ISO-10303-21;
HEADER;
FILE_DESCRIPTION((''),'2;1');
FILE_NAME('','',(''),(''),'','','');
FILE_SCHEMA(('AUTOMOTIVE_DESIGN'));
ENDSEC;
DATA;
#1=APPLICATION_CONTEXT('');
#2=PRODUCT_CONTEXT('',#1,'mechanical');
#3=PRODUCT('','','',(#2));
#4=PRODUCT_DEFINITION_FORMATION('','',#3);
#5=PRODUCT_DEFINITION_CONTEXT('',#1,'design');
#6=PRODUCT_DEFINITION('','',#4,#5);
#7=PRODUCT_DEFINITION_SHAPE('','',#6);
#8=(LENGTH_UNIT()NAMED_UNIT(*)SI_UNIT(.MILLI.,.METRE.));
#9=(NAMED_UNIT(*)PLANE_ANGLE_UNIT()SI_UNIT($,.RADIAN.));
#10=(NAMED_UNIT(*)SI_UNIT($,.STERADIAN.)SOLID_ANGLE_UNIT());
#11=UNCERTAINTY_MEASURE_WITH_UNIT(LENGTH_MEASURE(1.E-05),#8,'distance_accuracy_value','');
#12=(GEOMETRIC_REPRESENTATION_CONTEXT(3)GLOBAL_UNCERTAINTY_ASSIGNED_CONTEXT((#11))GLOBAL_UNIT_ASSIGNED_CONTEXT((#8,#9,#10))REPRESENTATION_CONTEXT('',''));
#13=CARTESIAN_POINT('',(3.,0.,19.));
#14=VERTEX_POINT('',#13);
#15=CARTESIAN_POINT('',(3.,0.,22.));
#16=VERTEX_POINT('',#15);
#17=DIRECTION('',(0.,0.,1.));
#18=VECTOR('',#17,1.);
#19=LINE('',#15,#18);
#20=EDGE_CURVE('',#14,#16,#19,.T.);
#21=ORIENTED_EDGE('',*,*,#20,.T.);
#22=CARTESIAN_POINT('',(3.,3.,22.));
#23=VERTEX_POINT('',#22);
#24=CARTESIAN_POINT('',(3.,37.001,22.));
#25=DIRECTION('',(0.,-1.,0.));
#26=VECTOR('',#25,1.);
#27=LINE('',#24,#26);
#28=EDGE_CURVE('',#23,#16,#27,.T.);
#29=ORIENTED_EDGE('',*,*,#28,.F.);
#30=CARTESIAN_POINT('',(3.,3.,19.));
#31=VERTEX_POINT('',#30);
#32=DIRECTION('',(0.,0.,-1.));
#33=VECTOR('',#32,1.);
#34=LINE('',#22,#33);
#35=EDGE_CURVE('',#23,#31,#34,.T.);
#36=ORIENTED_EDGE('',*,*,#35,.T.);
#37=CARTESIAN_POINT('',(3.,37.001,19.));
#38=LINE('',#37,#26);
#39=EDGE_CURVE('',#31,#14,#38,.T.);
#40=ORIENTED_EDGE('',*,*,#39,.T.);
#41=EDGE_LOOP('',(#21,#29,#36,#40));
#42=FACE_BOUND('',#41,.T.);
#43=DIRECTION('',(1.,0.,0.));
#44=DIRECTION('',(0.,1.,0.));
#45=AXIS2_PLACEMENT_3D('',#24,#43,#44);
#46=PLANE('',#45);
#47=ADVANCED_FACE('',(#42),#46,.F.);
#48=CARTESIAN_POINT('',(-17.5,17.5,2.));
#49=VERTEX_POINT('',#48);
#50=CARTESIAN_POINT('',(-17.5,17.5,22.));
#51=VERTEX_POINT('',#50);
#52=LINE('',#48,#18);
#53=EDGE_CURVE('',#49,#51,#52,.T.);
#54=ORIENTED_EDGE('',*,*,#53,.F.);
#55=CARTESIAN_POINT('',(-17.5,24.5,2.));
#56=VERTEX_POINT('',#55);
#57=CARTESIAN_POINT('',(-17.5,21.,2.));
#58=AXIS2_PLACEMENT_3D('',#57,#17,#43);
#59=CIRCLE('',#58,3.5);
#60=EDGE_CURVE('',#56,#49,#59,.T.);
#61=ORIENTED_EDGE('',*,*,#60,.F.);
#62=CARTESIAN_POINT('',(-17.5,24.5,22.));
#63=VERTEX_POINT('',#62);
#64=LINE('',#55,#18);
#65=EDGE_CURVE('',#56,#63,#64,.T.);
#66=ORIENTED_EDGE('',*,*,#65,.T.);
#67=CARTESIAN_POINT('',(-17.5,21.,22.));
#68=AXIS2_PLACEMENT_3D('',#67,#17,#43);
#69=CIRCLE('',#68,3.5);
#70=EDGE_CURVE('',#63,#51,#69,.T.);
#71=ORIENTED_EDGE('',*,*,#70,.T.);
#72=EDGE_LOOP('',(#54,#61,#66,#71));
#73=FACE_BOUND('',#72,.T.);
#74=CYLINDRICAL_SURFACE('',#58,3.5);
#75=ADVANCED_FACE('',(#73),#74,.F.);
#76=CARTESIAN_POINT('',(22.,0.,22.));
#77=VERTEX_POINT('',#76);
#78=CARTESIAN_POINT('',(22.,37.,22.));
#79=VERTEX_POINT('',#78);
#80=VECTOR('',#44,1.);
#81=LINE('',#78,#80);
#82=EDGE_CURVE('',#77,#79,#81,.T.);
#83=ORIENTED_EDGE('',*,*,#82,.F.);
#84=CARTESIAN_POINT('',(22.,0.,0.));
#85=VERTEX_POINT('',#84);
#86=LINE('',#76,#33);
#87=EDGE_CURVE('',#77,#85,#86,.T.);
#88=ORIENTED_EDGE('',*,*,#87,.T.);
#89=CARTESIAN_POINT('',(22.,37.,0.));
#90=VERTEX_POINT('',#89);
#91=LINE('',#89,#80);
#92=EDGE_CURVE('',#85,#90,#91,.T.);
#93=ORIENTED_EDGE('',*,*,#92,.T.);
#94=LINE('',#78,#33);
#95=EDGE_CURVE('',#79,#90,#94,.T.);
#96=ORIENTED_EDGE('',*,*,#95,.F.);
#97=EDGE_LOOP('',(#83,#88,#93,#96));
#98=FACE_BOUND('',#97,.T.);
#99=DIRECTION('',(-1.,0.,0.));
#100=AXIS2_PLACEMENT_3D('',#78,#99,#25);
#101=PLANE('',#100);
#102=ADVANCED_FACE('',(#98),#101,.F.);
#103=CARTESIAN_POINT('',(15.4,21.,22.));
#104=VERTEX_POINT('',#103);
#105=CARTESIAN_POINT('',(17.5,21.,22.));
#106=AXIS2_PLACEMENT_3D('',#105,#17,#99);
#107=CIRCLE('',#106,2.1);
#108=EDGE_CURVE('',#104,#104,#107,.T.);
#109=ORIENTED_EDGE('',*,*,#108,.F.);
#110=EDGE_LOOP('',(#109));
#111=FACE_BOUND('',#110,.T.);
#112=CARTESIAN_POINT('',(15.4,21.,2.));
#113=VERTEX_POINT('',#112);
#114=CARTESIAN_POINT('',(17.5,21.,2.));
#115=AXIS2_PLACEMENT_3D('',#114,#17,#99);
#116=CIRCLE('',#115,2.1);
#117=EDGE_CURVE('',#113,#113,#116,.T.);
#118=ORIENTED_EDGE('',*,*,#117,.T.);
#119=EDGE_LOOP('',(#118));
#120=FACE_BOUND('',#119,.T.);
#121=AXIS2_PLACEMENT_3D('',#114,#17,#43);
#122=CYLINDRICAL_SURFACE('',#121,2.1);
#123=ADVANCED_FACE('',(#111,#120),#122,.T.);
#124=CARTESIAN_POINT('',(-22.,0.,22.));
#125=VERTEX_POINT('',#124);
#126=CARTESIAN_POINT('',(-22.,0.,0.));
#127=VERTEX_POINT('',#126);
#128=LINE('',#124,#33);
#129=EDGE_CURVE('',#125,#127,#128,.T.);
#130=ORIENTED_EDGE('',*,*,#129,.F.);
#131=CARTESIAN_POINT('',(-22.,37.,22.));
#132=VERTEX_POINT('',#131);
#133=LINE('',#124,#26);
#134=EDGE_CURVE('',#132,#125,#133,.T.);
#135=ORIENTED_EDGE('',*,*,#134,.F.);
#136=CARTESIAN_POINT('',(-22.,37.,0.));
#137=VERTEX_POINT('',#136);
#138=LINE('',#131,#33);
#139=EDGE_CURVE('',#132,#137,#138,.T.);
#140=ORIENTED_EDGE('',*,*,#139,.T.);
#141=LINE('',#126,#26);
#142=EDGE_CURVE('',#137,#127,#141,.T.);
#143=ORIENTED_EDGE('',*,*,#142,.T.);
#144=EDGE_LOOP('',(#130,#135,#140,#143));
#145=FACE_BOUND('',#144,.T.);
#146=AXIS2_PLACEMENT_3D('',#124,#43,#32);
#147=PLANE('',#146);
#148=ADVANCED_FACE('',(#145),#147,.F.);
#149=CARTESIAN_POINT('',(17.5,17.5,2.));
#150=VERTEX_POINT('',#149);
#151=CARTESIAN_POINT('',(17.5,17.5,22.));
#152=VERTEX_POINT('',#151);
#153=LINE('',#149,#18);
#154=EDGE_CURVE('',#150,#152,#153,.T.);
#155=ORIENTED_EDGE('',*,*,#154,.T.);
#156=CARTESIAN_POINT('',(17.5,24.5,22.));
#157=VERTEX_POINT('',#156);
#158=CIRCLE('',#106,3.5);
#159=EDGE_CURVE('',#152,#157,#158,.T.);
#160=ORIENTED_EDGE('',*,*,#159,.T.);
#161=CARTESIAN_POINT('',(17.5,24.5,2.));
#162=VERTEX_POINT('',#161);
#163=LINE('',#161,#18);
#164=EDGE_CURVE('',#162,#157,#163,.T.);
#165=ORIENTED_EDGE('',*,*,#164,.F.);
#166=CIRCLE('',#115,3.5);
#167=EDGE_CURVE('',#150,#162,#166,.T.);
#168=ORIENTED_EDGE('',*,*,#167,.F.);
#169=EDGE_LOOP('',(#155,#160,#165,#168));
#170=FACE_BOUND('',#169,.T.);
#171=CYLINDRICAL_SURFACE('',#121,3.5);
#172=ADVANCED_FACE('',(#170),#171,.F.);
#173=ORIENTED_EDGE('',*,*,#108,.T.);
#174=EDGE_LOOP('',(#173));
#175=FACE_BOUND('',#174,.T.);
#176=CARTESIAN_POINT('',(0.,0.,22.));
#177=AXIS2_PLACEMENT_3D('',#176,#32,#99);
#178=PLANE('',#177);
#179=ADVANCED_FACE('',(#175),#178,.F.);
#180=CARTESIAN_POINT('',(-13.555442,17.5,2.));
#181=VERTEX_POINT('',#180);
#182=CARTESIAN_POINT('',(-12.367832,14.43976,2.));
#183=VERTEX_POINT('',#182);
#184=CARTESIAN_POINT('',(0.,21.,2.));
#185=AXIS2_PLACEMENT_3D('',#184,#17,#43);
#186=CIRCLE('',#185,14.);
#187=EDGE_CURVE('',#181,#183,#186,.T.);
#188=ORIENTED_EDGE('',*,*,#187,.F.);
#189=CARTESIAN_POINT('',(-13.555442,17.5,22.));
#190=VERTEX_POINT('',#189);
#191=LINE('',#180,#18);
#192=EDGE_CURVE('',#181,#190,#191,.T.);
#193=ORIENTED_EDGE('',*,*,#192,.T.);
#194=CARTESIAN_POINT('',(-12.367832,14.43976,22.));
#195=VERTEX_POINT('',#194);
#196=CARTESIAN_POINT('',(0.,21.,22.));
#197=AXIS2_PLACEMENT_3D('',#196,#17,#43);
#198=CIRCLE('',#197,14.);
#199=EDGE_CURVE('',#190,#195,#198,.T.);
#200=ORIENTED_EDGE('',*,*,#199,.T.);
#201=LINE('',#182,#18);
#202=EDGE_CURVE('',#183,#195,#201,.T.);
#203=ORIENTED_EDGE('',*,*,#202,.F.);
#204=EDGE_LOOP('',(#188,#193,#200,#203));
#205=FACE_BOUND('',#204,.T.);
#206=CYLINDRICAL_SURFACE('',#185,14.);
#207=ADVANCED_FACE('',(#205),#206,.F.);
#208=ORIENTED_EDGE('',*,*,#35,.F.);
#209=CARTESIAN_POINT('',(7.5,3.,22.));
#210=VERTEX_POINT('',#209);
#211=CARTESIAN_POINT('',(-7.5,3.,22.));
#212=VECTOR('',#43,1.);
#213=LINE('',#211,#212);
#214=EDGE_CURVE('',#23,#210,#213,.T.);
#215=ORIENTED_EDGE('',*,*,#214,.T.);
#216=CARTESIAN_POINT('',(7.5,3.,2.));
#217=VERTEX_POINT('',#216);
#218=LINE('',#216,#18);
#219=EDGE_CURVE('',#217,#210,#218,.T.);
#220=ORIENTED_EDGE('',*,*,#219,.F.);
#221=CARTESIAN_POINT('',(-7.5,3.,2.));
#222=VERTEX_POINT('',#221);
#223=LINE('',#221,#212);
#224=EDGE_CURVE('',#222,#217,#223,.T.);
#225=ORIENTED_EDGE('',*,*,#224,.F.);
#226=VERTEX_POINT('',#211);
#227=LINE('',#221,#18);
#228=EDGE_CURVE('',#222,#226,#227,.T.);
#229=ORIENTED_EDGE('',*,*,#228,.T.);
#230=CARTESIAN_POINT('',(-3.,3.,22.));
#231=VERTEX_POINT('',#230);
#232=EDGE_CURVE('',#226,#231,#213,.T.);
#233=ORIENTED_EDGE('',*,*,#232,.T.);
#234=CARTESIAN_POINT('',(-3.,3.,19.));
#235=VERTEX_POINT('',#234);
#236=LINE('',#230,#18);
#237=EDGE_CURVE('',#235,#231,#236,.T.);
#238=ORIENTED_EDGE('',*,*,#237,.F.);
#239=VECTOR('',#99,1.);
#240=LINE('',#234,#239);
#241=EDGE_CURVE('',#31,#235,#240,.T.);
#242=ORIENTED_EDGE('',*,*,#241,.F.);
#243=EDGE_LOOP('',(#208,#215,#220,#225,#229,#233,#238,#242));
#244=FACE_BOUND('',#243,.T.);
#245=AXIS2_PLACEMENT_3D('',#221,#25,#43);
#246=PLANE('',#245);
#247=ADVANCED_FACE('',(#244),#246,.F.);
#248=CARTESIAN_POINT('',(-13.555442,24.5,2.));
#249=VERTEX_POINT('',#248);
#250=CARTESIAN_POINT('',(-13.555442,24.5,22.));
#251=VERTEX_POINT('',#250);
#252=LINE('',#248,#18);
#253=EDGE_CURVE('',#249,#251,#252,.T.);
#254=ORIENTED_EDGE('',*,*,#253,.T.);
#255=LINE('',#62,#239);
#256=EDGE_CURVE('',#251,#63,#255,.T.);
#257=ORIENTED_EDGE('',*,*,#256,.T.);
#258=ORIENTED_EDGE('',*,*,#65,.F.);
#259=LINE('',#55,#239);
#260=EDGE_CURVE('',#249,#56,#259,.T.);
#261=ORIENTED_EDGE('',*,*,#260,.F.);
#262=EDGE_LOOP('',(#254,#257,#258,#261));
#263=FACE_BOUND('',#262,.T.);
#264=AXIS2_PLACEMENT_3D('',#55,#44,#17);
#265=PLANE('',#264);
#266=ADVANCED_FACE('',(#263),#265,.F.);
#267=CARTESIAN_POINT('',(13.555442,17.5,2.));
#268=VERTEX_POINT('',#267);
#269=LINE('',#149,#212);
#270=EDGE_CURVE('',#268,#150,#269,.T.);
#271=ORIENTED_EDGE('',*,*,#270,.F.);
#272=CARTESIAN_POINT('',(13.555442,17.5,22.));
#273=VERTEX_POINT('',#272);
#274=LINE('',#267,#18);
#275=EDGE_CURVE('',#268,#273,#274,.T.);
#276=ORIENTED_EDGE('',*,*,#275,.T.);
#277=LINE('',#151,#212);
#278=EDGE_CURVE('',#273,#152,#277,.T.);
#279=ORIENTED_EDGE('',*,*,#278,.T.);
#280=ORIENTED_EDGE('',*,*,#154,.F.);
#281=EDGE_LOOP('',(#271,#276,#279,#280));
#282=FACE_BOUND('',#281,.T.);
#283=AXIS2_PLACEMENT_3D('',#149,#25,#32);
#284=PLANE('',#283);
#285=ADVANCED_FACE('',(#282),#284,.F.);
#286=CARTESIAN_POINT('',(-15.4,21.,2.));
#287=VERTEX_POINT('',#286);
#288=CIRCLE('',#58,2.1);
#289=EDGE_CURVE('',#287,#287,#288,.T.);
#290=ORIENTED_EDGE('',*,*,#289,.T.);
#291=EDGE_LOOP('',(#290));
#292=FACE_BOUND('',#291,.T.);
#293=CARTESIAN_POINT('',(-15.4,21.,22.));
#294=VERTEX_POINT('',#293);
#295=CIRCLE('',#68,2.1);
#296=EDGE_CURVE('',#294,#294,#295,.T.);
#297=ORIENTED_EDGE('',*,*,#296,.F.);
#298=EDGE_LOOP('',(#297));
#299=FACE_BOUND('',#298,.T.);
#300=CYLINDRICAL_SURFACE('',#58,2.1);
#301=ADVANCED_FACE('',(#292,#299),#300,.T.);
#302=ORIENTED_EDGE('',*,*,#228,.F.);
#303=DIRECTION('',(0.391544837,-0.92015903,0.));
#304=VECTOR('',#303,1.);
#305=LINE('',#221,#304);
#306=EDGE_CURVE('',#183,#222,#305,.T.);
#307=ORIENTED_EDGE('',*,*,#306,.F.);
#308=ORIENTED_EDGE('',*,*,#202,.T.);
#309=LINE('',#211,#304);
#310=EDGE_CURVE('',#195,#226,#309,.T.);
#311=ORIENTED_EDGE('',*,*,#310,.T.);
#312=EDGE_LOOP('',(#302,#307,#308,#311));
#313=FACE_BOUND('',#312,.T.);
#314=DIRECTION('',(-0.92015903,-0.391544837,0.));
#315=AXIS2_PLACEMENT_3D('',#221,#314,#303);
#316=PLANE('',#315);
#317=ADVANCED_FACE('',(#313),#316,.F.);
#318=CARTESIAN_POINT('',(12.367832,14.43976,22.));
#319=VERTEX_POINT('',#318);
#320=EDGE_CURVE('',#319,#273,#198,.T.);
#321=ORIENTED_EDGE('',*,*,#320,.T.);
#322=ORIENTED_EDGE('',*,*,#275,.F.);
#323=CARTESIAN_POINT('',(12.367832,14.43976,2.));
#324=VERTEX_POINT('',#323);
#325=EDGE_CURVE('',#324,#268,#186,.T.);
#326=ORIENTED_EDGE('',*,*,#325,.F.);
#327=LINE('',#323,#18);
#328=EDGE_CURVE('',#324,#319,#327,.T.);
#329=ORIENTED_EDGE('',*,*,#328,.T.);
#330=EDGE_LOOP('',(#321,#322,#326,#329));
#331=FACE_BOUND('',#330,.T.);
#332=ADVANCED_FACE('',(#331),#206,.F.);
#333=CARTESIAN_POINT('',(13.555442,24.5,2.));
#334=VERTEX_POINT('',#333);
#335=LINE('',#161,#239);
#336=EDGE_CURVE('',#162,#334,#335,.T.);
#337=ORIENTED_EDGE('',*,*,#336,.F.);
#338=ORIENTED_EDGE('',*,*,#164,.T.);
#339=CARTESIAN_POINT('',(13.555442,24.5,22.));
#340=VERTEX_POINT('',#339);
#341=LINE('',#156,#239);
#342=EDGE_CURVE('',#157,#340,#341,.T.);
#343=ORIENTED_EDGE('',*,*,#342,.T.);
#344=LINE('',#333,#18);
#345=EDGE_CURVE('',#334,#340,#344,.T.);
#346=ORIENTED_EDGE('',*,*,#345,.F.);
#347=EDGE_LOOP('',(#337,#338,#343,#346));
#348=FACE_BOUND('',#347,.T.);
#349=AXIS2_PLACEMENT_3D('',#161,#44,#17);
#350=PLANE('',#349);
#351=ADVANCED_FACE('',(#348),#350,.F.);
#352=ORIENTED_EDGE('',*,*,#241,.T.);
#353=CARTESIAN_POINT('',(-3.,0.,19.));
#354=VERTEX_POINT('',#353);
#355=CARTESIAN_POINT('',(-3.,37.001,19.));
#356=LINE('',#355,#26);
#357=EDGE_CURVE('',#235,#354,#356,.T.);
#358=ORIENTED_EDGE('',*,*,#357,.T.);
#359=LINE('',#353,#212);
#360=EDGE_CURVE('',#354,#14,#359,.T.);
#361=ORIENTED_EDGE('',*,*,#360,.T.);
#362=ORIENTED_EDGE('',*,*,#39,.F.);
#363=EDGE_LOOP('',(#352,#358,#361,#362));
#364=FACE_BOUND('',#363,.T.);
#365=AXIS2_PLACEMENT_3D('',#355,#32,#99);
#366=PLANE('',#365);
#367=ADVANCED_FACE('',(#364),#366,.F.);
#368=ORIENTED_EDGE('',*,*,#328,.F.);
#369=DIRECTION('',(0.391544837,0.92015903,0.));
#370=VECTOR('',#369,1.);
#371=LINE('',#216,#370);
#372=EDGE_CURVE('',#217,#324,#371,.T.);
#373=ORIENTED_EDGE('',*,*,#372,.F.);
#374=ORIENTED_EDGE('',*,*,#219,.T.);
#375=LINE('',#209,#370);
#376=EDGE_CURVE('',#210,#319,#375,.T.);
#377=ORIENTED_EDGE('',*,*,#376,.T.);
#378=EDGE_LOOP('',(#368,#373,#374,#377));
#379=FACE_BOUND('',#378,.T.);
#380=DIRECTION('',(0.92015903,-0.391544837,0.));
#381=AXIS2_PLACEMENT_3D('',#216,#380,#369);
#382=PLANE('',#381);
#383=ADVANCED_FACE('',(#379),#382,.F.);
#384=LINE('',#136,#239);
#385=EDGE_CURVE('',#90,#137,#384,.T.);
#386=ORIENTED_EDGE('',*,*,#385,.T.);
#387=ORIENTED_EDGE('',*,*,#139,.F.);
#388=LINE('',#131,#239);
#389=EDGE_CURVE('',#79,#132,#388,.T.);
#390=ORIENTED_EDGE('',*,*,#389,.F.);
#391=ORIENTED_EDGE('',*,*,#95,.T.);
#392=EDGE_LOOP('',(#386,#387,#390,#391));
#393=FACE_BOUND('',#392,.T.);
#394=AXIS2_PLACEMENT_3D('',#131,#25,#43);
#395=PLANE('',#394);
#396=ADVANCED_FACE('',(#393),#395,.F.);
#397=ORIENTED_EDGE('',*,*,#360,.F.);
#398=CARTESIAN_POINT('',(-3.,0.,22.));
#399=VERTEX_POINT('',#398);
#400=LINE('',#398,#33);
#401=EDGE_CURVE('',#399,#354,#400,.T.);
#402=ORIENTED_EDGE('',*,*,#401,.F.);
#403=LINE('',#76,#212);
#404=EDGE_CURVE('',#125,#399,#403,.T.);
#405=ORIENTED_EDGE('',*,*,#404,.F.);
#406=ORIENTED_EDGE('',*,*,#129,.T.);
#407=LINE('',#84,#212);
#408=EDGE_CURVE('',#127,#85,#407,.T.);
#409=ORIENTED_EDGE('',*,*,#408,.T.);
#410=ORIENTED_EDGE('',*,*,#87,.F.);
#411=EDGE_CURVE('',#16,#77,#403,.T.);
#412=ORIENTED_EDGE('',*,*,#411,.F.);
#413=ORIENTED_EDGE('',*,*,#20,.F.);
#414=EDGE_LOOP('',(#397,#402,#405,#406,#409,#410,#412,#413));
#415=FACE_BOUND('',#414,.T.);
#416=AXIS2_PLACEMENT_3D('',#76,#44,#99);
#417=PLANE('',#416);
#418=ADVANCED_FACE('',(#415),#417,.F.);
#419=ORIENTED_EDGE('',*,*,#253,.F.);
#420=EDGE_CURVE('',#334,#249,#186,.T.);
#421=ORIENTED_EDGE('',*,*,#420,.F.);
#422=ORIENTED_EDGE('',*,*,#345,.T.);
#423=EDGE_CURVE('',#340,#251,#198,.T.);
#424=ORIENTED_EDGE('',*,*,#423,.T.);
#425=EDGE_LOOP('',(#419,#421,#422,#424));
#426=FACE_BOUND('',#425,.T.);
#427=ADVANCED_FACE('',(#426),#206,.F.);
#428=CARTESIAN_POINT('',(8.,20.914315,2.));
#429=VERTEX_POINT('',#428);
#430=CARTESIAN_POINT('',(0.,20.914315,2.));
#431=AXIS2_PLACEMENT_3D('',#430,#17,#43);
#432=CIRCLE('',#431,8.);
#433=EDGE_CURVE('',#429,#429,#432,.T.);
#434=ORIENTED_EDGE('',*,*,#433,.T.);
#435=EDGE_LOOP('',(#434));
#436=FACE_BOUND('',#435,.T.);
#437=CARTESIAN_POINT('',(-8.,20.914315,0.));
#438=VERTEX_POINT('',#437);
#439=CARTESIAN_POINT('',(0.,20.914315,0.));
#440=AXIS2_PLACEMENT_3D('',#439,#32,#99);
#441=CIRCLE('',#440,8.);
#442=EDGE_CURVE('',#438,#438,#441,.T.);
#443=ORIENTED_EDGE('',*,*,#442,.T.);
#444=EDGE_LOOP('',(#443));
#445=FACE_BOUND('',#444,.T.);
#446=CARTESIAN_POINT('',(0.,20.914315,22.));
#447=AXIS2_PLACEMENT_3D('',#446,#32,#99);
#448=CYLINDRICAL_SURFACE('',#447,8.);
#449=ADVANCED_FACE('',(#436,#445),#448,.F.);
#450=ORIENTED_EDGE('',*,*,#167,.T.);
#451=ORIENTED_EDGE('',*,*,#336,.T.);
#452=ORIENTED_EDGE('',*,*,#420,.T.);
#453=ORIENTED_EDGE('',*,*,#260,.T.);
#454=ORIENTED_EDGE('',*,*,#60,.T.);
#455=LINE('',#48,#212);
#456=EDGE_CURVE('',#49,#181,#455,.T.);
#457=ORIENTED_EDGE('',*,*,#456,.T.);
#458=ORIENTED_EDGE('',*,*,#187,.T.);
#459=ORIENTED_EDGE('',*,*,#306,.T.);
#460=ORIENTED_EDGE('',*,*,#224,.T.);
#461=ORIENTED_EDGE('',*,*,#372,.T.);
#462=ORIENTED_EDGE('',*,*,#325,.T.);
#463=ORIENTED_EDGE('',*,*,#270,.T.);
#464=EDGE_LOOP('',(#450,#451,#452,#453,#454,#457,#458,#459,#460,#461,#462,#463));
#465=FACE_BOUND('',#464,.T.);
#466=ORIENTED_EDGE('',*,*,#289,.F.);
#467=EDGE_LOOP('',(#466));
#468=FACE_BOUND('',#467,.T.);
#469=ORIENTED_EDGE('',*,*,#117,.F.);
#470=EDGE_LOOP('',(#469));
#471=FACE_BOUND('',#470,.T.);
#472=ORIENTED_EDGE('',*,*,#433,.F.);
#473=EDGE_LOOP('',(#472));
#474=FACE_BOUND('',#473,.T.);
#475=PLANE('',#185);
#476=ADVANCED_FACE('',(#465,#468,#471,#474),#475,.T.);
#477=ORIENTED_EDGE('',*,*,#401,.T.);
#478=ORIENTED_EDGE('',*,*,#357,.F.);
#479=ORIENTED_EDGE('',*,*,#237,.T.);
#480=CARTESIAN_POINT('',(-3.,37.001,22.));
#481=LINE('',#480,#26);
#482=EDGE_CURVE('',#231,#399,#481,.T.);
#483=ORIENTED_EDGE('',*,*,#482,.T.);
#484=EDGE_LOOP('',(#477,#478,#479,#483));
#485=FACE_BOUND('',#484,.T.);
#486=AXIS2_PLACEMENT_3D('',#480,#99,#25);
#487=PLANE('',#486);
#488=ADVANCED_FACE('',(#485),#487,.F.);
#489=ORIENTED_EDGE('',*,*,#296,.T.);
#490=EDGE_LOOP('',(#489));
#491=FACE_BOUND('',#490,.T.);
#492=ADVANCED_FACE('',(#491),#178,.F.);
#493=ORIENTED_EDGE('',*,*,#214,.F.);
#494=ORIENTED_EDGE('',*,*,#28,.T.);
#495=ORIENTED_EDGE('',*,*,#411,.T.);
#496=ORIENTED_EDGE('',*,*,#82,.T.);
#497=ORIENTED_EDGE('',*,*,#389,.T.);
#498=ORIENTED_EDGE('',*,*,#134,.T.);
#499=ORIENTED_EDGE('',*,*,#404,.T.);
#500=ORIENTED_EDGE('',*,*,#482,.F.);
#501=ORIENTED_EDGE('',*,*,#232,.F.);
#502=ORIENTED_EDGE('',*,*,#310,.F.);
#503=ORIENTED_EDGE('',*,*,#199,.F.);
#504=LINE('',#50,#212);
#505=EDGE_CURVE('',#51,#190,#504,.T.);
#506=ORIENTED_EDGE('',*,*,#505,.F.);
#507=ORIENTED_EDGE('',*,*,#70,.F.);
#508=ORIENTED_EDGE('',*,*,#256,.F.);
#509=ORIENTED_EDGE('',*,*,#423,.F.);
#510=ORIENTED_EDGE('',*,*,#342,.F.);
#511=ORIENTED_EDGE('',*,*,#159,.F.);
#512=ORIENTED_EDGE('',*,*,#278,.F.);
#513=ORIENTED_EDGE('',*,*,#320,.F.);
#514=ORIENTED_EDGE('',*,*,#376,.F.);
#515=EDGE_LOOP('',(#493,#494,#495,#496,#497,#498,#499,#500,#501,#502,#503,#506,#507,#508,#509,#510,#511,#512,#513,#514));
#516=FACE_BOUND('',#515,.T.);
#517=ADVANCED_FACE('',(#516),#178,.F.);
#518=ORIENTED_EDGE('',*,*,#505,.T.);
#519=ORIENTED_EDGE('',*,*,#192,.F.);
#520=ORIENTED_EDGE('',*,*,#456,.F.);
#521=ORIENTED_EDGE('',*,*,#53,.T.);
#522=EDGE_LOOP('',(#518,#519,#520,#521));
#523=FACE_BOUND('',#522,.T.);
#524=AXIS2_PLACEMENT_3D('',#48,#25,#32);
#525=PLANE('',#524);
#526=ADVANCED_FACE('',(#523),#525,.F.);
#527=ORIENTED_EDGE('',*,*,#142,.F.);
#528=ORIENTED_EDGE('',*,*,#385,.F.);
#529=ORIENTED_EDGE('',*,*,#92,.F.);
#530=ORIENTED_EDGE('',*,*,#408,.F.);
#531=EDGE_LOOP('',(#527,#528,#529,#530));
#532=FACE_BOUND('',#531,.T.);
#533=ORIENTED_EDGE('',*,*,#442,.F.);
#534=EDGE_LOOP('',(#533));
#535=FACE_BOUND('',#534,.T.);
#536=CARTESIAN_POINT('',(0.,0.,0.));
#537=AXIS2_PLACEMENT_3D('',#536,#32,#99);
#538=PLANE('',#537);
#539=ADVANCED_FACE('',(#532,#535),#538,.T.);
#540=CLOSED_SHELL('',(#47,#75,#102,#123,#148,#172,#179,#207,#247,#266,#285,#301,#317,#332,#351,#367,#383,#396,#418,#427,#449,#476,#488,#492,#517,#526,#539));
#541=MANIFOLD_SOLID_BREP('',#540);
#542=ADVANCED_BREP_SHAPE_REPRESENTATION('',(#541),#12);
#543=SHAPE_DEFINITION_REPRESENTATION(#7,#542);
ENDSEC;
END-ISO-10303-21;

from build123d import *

# Parameters (mm, degrees)
SKETCH_1_W           = 44
SKETCH_1_H           = 37
EXTRUDE_1_DEPTH      = 22
SKETCH_2_R           = 2.1
CUT_EXTRUDE_7_DEPTH  = 20
SKETCH_13_R          = 8
CUT_EXTRUDE_11_DEPTH = 49.342527861
CUT_EXTRUDE_13_REACH = 50.343
SKETCH_15_W          = 6
SKETCH_15_H          = 3


with BuildPart() as part:
    # 草图1 → 凸台-拉伸1 (new body)
    with BuildSketch(Plane.XY):
        with Locations((0, 18.5)):
            Rectangle(SKETCH_1_W, SKETCH_1_H)
    extrude(amount=EXTRUDE_1_DEPTH)

    # 草图2 → 切除-拉伸7 (cut)
    with BuildSketch(Plane.XY.offset(22)):
        with BuildLine():
            Line((-7.5, 3), (7.5, 3))
            Line((7.5, 3), (12.367831524, 14.439760417))
            ThreePointArc((12.367831524, 14.439760417), (13.051639376, 15.934952161), (13.555441712, 17.5))
            Line((13.555441712, 17.5), (17.5, 17.5))
            ThreePointArc((17.5, 17.5), (21, 21), (17.5, 24.5))
            Line((17.5, 24.5), (13.555441712, 24.5))
            ThreePointArc((13.555441712, 24.5), (0, 35), (-13.555441712, 24.5))
            Line((-13.555441712, 24.5), (-17.5, 24.5))
            ThreePointArc((-17.5, 24.5), (-21, 21), (-17.5, 17.5))
            Line((-17.5, 17.5), (-13.555441712, 17.5))
            ThreePointArc((-13.555441712, 17.5), (-13.051639376, 15.934952161), (-12.367831524, 14.439760417))
            Line((-12.367831524, 14.439760417), (-7.5, 3))
        make_face()
        with Locations((-17.5, 21)):
            Circle(SKETCH_2_R, mode=Mode.SUBTRACT)
        with Locations((17.5, 21)):
            Circle(SKETCH_2_R, mode=Mode.SUBTRACT)
    extrude(amount=-CUT_EXTRUDE_7_DEPTH, mode=Mode.SUBTRACT)

    # 草图13 → 切除-拉伸11 (cut, through all)
    with BuildSketch(Plane(origin=(0, 0, 0), x_dir=(-1, 0, 0), z_dir=(0, 0, -1))):
        with Locations((0, 20.914315439)):
            Circle(SKETCH_13_R)
    extrude(amount=-CUT_EXTRUDE_11_DEPTH, mode=Mode.SUBTRACT)

    # 草图15 → 切除-拉伸13 (cut, up to next)
    with BuildSketch(Plane.XZ, mode=Mode.PRIVATE) as cut_extrude_13_sk1:
        with Locations((0, 20.5)):
            Rectangle(SKETCH_15_W, SKETCH_15_H)
    cut_extrude_13_tool1 = extrude(cut_extrude_13_sk1.sketch, amount=-CUT_EXTRUDE_13_REACH, mode=Mode.PRIVATE) & part.part
    add(cut_extrude_13_tool1.solids().sort_by_distance((0, 0, 20.5))[0], mode=Mode.SUBTRACT)


solid = part.part
